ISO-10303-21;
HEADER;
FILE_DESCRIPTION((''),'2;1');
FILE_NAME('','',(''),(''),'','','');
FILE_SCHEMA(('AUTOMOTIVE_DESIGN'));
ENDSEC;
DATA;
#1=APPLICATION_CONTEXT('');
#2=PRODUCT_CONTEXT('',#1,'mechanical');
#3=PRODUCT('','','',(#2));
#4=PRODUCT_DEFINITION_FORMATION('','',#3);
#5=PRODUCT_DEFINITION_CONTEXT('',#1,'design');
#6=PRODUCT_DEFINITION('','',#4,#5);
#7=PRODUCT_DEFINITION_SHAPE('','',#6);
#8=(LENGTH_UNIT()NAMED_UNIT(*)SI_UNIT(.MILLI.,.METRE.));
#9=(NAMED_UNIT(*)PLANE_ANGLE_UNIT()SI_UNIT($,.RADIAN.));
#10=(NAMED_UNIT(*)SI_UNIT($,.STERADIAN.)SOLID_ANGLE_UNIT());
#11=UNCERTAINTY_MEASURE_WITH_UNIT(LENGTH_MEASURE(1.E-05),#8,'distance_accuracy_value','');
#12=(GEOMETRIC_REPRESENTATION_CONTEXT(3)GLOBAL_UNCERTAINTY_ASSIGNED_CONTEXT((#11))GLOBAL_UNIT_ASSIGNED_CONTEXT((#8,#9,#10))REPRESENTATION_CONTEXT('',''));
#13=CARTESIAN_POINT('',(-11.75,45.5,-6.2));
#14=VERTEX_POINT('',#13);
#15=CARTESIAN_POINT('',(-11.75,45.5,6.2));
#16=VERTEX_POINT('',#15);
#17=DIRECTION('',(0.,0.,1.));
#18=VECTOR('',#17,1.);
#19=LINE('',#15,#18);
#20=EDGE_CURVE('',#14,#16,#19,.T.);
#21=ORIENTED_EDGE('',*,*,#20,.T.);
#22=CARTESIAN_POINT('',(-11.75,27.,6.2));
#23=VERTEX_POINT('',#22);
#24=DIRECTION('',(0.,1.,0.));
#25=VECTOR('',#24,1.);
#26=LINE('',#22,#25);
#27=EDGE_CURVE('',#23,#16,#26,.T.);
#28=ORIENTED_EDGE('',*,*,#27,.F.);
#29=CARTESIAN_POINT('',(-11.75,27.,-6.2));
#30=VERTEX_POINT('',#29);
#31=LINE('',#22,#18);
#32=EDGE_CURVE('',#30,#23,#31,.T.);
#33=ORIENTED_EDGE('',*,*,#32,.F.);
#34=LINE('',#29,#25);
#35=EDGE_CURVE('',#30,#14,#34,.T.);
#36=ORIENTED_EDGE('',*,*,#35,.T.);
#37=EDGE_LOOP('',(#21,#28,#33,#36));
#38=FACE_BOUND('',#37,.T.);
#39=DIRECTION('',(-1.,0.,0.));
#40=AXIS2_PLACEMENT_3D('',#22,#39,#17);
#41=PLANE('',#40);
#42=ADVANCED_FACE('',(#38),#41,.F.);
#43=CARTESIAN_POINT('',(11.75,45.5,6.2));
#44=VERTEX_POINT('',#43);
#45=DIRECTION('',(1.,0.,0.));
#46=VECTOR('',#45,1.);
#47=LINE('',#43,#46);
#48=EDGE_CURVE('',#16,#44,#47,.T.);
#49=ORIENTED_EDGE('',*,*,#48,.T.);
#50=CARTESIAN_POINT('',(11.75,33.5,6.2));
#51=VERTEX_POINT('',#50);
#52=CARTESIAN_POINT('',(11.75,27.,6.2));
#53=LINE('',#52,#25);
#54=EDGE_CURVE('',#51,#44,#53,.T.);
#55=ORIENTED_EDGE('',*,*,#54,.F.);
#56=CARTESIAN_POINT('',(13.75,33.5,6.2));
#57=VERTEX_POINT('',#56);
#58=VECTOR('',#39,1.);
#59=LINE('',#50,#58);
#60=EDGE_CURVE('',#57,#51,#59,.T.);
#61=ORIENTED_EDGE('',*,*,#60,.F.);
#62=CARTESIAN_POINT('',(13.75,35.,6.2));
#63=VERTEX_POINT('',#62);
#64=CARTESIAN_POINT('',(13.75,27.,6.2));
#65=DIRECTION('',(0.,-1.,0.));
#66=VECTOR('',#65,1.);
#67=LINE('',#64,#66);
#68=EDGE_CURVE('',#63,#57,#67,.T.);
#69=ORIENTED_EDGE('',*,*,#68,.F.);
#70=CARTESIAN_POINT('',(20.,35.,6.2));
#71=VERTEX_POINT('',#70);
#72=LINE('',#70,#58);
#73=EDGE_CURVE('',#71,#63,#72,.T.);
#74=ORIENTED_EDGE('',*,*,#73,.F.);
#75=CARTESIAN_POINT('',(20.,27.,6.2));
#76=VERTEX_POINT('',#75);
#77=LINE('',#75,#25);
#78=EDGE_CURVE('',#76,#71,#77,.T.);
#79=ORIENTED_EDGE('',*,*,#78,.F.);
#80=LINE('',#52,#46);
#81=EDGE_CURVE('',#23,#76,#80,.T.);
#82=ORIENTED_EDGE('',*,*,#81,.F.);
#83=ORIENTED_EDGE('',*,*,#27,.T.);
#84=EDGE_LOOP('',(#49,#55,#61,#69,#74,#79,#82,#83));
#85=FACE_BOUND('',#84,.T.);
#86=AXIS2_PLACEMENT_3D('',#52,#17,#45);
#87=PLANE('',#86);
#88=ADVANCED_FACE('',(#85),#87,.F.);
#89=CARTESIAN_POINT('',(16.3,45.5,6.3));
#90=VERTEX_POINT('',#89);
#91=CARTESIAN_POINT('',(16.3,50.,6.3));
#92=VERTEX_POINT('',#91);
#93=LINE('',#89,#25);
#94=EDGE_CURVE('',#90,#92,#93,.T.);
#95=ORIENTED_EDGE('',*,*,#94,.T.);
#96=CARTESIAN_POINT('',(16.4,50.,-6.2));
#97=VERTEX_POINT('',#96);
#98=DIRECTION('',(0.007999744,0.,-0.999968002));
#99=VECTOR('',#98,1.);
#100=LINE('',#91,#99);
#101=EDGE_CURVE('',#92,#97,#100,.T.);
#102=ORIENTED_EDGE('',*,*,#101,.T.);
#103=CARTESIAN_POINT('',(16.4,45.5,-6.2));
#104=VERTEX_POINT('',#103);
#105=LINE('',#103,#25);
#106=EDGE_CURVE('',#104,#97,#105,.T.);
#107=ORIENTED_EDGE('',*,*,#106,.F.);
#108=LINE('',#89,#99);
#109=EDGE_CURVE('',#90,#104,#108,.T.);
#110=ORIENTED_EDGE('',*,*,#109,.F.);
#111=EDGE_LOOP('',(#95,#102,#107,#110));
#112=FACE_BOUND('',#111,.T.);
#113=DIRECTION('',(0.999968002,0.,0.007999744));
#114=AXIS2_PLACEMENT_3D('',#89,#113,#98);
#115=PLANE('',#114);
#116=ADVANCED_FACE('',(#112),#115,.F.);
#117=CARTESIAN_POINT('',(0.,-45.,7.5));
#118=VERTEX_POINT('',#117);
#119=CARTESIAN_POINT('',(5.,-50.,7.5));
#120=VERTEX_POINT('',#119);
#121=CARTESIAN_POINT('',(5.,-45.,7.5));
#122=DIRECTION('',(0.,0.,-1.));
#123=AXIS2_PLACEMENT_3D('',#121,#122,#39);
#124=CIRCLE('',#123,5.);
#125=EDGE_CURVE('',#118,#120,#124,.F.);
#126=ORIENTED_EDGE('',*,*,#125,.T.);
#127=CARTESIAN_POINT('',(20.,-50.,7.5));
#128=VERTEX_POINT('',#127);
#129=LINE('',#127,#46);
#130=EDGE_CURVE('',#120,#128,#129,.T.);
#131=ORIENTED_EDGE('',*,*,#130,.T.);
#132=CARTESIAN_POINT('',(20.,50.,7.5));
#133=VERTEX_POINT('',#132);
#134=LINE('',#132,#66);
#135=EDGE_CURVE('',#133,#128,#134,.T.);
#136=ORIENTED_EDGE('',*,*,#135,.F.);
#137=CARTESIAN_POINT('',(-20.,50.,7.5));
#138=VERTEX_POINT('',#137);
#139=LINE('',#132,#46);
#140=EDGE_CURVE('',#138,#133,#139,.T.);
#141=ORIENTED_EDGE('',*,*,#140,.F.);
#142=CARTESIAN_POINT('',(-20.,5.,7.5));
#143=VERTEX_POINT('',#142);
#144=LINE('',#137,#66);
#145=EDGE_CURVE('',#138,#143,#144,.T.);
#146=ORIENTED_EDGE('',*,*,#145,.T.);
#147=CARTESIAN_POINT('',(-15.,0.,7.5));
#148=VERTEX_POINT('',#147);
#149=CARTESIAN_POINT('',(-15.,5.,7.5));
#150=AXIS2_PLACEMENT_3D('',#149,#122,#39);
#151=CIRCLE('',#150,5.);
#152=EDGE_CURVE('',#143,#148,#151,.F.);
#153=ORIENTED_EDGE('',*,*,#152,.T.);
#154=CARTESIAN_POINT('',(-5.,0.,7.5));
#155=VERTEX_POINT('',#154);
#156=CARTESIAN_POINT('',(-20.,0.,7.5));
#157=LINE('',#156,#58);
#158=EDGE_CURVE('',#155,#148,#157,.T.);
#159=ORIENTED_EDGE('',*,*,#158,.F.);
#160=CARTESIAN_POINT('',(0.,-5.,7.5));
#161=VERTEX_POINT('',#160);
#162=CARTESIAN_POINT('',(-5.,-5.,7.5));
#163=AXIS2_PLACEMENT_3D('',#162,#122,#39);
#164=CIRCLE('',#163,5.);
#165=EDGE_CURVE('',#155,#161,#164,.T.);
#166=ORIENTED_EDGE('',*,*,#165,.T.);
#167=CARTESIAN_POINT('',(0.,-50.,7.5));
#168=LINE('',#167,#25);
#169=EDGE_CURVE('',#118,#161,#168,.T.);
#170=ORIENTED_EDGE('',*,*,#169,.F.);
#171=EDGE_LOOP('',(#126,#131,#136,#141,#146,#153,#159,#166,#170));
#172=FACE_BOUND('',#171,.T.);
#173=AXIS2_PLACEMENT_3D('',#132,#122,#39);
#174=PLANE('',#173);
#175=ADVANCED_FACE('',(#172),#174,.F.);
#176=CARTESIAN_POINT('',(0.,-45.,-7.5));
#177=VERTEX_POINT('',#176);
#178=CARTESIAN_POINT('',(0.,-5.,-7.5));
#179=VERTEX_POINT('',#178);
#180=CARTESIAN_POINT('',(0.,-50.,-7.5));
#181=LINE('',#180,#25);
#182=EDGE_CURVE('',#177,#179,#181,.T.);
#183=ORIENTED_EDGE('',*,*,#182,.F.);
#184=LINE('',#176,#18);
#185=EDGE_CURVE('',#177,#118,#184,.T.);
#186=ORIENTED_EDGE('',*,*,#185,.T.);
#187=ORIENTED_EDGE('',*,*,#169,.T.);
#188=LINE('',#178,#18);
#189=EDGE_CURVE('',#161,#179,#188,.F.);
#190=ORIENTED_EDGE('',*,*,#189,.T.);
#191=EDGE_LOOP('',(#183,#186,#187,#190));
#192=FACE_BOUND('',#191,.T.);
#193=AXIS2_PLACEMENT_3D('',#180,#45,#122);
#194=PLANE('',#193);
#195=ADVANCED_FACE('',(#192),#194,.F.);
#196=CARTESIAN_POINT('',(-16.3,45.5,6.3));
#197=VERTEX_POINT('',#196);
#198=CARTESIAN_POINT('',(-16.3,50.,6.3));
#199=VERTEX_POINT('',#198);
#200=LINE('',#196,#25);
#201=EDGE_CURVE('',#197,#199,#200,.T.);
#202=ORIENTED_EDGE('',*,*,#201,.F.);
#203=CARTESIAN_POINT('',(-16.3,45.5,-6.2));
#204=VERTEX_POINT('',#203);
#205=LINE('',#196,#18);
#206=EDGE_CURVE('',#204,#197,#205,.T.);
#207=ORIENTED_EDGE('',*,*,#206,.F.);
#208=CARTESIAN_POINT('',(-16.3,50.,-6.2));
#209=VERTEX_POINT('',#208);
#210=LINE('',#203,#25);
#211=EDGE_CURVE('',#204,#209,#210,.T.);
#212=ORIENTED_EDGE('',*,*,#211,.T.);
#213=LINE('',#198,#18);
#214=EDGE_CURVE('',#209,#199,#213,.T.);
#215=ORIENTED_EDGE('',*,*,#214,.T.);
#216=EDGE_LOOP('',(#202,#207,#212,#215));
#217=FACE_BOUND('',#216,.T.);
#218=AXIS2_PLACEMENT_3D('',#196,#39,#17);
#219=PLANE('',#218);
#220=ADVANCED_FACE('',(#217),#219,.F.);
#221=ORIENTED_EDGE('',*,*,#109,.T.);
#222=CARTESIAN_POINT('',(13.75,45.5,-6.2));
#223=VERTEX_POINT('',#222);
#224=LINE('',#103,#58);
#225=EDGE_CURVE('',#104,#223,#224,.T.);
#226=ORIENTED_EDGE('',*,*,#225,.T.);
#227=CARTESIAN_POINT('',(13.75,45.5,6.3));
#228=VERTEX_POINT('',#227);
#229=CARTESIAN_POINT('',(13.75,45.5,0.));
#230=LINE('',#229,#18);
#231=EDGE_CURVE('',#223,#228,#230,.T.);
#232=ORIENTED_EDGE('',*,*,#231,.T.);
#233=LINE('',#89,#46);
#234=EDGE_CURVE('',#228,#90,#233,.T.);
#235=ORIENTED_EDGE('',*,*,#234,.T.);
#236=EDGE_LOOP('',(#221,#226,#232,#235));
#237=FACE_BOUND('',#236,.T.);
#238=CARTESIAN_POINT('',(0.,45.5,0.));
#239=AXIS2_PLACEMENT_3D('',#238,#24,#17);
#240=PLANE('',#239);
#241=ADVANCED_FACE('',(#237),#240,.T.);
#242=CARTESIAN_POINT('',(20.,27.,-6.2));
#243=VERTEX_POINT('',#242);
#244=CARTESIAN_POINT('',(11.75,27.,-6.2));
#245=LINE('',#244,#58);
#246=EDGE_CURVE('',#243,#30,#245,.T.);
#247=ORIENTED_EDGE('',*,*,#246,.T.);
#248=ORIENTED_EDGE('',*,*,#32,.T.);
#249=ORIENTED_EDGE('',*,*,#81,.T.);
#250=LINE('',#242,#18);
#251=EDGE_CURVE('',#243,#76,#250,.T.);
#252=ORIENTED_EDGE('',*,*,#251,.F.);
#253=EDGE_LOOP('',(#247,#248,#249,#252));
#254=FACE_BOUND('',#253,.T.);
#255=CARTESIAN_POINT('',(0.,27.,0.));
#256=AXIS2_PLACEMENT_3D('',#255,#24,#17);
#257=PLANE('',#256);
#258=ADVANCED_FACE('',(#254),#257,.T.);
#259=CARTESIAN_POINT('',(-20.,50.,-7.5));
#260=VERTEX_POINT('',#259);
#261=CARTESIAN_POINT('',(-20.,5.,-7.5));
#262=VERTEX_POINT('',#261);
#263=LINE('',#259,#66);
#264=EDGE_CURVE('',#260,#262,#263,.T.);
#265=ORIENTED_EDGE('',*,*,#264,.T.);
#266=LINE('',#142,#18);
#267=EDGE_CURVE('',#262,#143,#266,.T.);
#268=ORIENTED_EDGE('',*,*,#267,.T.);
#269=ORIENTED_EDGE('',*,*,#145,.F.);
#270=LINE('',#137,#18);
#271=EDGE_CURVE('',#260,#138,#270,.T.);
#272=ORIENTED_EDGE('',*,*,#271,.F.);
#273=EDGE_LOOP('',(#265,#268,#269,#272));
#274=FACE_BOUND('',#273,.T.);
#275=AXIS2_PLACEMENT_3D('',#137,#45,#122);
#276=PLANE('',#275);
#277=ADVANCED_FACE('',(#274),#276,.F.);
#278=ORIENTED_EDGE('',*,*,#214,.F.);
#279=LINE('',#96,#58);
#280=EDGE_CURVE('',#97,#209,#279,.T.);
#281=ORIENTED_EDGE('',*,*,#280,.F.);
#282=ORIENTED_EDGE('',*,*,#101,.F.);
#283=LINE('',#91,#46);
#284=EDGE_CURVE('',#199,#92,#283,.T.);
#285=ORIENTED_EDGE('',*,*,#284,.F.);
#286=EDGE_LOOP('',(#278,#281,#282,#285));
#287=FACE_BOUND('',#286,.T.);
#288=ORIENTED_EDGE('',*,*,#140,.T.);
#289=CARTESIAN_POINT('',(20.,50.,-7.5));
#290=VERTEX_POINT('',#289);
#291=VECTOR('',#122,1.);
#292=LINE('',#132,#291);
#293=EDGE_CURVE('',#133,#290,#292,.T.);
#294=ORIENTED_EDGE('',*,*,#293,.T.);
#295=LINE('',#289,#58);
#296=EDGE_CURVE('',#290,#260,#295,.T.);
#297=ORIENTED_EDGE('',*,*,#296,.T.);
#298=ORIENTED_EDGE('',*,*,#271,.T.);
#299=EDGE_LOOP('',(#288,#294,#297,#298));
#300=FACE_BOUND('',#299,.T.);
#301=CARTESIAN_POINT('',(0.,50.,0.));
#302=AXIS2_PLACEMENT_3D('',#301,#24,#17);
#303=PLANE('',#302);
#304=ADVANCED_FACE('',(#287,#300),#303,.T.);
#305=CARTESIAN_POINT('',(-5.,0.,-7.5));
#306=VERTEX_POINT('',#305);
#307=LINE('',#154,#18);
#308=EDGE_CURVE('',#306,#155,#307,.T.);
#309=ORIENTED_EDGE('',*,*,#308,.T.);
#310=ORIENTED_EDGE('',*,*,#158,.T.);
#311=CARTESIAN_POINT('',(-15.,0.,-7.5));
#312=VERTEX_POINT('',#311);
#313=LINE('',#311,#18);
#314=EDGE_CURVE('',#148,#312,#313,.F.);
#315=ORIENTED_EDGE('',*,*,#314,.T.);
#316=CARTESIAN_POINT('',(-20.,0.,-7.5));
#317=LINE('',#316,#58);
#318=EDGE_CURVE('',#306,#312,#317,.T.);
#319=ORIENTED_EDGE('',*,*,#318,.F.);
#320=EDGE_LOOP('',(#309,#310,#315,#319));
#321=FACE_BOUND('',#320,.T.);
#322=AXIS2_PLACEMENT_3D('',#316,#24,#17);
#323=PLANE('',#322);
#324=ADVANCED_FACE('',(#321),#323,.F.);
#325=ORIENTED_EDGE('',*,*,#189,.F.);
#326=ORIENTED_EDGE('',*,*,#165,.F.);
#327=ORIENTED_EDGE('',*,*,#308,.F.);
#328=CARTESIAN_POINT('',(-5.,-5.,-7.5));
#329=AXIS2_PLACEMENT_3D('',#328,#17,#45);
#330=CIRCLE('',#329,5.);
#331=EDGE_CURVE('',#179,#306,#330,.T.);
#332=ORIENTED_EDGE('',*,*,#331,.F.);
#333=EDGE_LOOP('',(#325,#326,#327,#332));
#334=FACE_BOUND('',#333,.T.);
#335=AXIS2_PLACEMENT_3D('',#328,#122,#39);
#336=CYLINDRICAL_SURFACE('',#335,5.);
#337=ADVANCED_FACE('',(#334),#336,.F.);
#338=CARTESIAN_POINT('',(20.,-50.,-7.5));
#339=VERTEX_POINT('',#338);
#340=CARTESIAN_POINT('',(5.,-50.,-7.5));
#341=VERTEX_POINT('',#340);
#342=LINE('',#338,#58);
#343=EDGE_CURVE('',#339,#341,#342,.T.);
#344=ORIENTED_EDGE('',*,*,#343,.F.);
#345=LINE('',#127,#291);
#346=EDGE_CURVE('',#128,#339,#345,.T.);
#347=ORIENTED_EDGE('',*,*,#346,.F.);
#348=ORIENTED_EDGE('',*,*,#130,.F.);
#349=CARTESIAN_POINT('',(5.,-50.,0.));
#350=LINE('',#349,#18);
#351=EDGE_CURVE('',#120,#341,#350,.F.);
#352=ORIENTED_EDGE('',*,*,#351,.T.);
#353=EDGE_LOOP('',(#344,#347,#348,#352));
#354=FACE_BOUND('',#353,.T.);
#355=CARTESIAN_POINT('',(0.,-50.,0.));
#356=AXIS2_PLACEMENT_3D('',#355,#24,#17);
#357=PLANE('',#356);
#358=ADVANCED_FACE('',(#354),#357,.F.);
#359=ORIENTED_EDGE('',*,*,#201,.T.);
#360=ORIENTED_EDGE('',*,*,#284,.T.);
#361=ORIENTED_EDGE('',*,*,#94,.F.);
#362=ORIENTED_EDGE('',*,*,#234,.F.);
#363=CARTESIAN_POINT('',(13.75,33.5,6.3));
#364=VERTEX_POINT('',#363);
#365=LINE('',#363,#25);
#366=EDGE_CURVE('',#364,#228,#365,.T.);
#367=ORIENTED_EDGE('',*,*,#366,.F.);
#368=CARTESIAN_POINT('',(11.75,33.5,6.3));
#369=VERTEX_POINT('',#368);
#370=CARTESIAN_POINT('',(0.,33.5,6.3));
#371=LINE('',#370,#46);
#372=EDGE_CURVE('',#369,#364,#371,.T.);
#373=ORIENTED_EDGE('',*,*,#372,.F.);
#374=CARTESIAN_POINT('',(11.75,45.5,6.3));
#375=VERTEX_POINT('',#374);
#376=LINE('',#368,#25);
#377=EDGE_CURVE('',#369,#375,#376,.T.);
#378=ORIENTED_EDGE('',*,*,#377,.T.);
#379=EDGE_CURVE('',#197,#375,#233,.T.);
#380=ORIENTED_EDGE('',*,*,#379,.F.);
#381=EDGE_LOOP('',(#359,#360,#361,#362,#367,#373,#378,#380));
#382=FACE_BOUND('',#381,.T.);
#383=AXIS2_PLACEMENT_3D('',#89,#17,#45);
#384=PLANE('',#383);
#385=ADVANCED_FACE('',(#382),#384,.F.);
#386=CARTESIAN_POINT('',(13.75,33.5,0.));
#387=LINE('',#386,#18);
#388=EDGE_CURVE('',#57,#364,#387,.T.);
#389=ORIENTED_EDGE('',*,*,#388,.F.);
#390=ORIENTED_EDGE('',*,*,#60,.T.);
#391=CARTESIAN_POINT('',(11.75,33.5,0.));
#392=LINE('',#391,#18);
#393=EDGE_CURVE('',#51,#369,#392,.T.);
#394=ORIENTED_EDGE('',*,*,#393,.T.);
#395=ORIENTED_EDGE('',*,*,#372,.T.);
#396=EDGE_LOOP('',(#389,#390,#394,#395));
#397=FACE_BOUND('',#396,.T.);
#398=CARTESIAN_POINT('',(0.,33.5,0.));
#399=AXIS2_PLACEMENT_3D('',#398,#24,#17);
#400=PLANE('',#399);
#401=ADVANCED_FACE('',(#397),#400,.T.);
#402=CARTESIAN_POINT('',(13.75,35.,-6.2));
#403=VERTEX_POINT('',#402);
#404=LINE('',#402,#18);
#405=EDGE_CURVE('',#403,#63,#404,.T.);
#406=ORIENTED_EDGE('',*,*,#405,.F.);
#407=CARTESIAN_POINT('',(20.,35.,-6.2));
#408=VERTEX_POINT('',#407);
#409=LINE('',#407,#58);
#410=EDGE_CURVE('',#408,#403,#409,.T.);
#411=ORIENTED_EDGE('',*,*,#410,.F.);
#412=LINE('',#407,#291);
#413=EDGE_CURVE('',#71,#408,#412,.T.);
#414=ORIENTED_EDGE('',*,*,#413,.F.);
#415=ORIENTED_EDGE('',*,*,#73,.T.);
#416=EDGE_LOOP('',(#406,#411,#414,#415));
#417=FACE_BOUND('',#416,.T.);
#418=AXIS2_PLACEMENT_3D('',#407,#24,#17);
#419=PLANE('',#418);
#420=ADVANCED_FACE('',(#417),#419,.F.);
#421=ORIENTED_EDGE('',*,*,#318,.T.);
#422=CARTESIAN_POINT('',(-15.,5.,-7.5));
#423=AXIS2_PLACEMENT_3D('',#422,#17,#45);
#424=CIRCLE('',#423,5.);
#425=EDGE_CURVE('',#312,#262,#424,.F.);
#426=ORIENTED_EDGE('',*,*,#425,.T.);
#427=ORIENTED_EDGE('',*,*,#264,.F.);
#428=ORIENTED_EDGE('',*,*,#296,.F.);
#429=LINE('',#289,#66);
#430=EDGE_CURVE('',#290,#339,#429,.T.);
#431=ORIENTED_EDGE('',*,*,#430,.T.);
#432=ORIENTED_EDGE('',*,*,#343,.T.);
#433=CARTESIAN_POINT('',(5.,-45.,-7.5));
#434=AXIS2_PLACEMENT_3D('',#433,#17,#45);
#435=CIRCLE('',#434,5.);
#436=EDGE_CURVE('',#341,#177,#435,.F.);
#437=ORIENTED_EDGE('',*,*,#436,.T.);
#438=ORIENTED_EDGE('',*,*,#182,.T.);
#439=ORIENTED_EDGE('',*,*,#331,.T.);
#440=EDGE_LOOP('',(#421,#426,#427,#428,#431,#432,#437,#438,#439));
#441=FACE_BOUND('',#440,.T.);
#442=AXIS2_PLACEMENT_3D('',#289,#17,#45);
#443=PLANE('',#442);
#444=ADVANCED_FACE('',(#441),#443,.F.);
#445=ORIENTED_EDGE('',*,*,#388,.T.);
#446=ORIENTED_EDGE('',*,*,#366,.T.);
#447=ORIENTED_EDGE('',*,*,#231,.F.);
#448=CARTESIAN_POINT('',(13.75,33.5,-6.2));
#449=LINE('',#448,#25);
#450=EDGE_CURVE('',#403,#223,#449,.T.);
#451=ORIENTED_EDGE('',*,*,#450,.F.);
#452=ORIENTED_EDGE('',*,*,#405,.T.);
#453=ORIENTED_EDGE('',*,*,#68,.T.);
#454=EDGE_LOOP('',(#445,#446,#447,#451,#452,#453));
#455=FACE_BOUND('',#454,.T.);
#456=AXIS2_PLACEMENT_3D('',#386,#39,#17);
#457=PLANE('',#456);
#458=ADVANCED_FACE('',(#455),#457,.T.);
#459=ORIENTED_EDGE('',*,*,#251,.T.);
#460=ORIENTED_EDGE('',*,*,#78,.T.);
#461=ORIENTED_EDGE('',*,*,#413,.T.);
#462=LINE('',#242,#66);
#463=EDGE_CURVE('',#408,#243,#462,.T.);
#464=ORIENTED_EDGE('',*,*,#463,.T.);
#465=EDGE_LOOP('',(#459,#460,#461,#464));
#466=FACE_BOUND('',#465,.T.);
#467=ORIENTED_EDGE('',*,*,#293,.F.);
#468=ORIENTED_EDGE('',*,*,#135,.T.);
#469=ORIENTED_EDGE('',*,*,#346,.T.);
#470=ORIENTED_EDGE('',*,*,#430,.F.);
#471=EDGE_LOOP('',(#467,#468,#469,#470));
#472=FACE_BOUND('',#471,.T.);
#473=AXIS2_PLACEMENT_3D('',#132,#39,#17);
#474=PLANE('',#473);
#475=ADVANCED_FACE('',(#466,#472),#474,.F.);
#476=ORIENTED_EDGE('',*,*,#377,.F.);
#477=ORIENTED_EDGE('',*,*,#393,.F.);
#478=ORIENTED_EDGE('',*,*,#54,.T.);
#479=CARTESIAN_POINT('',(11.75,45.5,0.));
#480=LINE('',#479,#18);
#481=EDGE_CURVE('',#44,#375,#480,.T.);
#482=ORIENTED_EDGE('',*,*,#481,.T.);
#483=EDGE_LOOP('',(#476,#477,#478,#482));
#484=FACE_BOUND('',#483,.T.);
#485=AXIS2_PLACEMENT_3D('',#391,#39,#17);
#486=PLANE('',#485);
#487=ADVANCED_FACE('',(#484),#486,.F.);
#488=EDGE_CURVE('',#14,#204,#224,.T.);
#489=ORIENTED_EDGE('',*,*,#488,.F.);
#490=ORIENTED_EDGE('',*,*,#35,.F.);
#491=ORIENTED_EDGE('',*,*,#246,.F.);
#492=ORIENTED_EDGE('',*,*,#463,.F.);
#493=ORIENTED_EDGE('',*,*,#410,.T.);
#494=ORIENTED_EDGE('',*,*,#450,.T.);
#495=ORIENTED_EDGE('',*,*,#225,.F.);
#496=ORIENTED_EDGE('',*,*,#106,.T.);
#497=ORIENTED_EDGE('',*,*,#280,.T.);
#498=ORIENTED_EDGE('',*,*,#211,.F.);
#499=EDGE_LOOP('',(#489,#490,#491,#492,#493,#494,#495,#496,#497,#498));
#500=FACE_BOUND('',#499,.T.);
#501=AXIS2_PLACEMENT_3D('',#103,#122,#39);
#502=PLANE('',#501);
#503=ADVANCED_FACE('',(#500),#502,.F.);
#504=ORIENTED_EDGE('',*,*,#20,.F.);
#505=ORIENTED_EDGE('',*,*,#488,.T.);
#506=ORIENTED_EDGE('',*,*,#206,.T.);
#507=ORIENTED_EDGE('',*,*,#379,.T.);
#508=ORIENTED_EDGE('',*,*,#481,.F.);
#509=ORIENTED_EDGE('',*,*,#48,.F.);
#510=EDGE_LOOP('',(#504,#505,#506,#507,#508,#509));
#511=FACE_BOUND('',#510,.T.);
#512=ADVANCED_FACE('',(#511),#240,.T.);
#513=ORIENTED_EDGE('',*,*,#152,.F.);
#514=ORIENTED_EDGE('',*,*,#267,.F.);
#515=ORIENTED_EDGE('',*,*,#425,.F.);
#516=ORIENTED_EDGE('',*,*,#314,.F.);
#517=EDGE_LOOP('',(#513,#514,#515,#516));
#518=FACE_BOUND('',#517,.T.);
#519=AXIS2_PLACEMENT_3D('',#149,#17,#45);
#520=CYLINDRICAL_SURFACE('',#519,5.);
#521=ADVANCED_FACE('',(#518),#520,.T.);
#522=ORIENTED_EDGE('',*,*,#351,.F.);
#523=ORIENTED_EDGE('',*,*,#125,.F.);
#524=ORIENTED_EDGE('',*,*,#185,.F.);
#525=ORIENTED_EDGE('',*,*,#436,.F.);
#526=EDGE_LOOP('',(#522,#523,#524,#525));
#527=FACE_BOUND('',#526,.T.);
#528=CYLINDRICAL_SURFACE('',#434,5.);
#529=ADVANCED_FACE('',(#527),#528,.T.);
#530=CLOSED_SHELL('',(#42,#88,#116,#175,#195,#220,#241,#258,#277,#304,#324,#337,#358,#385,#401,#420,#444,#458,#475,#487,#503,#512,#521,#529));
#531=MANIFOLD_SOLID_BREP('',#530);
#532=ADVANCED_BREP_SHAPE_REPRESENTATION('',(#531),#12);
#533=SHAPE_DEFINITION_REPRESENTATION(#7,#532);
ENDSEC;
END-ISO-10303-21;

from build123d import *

# Parameters (mm, degrees)
SKETCH_1_W          = 40
SKETCH_1_H          = 15
EXTRUDE_1_DEPTH     = 50
SKETCH_2_W          = 20
SKETCH_2_H          = 50
CUT_EXTRUDE_1_DEPTH = 16
FILLET_2_R          = 5
FILLET_3_R          = 5
CUT_EXTRUDE_2_DEPTH = 4.5
SKETCH_5_W          = 23.5
SKETCH_5_H          = 12.4
CUT_EXTRUDE_3_DEPTH = 18.5
SKETCH_7_W          = 12.4
SKETCH_7_H          = 8
CUT_EXTRUDE_4_DEPTH = 9.25
CUT_EXTRUDE_7_DEPTH = 12


with BuildPart() as part:
    # 스케치1 → 보스-돌출1 (new body, symmetric)
    with BuildSketch(Plane(origin=(0, 0, 0), x_dir=(1, 0, 0), z_dir=(0, 1, 0))):
        Rectangle(SKETCH_1_W, SKETCH_1_H)
    extrude(amount=EXTRUDE_1_DEPTH, both=True)

    # 스케치2 → 컷-돌출1 (cut, through all)
    with BuildSketch(Plane.XY.offset(7.5)):
        with Locations((-10, -25)):
            Rectangle(SKETCH_2_W, SKETCH_2_H)
    extrude(amount=-CUT_EXTRUDE_1_DEPTH, mode=Mode.SUBTRACT)

    # 필렛2
    fillet_2_edges = [part.edges().sort_by_distance(p)[0] for p in [
        (-20, 0, 0),
        (0, 0, 0),
    ]]
    fillet(fillet_2_edges, radius=FILLET_2_R)

    # 필렛3
    fillet_3_edges = [part.edges().sort_by_distance(p)[0] for p in [
        (0, -50, 0),
    ]]
    fillet(fillet_3_edges, radius=FILLET_3_R)

    # 스케치4 → 컷-돌출2 (cut)
    with BuildSketch(Plane(origin=(0, 50, 0), x_dir=(1, 0, 0), z_dir=(0, 1, 0))):
        Polygon((16.4, 6.2), (-16.3, 6.2), (-16.3, -6.3), (16.3, -6.3), align=None)
    extrude(amount=-CUT_EXTRUDE_2_DEPTH, mode=Mode.SUBTRACT)

    # 스케치5 → 컷-돌출3 (cut)
    with BuildSketch(Plane(origin=(0, 45.5, 0), x_dir=(1, 0, 0), z_dir=(0, 1, 0))):
        Rectangle(SKETCH_5_W, SKETCH_5_H)
    extrude(amount=-CUT_EXTRUDE_3_DEPTH, mode=Mode.SUBTRACT)

    # 스케치7 → 컷-돌출4 (cut, through all)
    with BuildSketch(Plane.ZY.offset(-11.75)):
        with Locations((0, 31)):
            Rectangle(SKETCH_7_W, SKETCH_7_H)
    extrude(amount=-CUT_EXTRUDE_4_DEPTH, mode=Mode.SUBTRACT)

    # 스케치10 → 컷-돌출7 (cut)
    with BuildSketch(Plane(origin=(0, 45.5, 0), x_dir=(1, 0, 0), z_dir=(0, 1, 0))):
        Polygon((13.75, -6.3), (13.75, 6.2), (11.75, 6.2), (11.75, -6.2), (11.75, -6.3), align=None)
    extrude(amount=-CUT_EXTRUDE_7_DEPTH, mode=Mode.SUBTRACT)


solid = part.part
